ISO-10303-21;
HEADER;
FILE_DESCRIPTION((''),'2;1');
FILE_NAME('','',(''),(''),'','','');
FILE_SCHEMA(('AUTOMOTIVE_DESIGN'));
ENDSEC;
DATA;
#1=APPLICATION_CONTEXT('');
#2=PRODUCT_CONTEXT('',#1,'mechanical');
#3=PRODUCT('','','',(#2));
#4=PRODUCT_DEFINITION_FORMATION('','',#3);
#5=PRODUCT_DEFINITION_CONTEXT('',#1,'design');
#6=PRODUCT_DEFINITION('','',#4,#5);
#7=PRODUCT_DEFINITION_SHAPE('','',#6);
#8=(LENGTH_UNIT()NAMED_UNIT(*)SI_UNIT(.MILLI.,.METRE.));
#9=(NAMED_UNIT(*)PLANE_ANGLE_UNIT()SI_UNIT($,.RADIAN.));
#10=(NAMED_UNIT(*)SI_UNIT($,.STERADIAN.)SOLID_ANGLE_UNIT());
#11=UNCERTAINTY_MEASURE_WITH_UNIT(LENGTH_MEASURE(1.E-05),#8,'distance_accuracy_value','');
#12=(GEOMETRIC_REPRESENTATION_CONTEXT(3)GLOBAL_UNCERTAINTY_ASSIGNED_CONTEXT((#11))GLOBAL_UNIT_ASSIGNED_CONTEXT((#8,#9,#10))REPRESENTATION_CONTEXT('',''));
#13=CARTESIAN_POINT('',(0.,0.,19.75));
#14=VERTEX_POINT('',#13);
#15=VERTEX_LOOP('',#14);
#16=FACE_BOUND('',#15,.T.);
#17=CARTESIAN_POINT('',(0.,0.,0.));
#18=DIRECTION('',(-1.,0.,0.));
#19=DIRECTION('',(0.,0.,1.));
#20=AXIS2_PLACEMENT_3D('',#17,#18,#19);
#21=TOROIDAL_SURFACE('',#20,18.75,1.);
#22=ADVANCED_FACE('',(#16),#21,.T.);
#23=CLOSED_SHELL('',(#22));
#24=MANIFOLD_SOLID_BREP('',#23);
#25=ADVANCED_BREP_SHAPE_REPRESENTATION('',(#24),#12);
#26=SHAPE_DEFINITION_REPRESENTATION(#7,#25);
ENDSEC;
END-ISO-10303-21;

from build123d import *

# Parameters (mm, degrees)
SKETCH_1_R = 1


with BuildPart() as part:
    # ｽｹｯﾁ1 → 回転1 (revolve)
    with BuildSketch(Plane.XY, mode=Mode.PRIVATE) as revolve_1_sk:
        with Locations((0, 18.75)):
            Circle(SKETCH_1_R)
    revolve(revolve_1_sk.sketch.rotate(Axis((0, 0, 0), (1, 0, 0)), 90), axis=Axis((0, 0, 0), (1, 0, 0)))


solid = part.part
